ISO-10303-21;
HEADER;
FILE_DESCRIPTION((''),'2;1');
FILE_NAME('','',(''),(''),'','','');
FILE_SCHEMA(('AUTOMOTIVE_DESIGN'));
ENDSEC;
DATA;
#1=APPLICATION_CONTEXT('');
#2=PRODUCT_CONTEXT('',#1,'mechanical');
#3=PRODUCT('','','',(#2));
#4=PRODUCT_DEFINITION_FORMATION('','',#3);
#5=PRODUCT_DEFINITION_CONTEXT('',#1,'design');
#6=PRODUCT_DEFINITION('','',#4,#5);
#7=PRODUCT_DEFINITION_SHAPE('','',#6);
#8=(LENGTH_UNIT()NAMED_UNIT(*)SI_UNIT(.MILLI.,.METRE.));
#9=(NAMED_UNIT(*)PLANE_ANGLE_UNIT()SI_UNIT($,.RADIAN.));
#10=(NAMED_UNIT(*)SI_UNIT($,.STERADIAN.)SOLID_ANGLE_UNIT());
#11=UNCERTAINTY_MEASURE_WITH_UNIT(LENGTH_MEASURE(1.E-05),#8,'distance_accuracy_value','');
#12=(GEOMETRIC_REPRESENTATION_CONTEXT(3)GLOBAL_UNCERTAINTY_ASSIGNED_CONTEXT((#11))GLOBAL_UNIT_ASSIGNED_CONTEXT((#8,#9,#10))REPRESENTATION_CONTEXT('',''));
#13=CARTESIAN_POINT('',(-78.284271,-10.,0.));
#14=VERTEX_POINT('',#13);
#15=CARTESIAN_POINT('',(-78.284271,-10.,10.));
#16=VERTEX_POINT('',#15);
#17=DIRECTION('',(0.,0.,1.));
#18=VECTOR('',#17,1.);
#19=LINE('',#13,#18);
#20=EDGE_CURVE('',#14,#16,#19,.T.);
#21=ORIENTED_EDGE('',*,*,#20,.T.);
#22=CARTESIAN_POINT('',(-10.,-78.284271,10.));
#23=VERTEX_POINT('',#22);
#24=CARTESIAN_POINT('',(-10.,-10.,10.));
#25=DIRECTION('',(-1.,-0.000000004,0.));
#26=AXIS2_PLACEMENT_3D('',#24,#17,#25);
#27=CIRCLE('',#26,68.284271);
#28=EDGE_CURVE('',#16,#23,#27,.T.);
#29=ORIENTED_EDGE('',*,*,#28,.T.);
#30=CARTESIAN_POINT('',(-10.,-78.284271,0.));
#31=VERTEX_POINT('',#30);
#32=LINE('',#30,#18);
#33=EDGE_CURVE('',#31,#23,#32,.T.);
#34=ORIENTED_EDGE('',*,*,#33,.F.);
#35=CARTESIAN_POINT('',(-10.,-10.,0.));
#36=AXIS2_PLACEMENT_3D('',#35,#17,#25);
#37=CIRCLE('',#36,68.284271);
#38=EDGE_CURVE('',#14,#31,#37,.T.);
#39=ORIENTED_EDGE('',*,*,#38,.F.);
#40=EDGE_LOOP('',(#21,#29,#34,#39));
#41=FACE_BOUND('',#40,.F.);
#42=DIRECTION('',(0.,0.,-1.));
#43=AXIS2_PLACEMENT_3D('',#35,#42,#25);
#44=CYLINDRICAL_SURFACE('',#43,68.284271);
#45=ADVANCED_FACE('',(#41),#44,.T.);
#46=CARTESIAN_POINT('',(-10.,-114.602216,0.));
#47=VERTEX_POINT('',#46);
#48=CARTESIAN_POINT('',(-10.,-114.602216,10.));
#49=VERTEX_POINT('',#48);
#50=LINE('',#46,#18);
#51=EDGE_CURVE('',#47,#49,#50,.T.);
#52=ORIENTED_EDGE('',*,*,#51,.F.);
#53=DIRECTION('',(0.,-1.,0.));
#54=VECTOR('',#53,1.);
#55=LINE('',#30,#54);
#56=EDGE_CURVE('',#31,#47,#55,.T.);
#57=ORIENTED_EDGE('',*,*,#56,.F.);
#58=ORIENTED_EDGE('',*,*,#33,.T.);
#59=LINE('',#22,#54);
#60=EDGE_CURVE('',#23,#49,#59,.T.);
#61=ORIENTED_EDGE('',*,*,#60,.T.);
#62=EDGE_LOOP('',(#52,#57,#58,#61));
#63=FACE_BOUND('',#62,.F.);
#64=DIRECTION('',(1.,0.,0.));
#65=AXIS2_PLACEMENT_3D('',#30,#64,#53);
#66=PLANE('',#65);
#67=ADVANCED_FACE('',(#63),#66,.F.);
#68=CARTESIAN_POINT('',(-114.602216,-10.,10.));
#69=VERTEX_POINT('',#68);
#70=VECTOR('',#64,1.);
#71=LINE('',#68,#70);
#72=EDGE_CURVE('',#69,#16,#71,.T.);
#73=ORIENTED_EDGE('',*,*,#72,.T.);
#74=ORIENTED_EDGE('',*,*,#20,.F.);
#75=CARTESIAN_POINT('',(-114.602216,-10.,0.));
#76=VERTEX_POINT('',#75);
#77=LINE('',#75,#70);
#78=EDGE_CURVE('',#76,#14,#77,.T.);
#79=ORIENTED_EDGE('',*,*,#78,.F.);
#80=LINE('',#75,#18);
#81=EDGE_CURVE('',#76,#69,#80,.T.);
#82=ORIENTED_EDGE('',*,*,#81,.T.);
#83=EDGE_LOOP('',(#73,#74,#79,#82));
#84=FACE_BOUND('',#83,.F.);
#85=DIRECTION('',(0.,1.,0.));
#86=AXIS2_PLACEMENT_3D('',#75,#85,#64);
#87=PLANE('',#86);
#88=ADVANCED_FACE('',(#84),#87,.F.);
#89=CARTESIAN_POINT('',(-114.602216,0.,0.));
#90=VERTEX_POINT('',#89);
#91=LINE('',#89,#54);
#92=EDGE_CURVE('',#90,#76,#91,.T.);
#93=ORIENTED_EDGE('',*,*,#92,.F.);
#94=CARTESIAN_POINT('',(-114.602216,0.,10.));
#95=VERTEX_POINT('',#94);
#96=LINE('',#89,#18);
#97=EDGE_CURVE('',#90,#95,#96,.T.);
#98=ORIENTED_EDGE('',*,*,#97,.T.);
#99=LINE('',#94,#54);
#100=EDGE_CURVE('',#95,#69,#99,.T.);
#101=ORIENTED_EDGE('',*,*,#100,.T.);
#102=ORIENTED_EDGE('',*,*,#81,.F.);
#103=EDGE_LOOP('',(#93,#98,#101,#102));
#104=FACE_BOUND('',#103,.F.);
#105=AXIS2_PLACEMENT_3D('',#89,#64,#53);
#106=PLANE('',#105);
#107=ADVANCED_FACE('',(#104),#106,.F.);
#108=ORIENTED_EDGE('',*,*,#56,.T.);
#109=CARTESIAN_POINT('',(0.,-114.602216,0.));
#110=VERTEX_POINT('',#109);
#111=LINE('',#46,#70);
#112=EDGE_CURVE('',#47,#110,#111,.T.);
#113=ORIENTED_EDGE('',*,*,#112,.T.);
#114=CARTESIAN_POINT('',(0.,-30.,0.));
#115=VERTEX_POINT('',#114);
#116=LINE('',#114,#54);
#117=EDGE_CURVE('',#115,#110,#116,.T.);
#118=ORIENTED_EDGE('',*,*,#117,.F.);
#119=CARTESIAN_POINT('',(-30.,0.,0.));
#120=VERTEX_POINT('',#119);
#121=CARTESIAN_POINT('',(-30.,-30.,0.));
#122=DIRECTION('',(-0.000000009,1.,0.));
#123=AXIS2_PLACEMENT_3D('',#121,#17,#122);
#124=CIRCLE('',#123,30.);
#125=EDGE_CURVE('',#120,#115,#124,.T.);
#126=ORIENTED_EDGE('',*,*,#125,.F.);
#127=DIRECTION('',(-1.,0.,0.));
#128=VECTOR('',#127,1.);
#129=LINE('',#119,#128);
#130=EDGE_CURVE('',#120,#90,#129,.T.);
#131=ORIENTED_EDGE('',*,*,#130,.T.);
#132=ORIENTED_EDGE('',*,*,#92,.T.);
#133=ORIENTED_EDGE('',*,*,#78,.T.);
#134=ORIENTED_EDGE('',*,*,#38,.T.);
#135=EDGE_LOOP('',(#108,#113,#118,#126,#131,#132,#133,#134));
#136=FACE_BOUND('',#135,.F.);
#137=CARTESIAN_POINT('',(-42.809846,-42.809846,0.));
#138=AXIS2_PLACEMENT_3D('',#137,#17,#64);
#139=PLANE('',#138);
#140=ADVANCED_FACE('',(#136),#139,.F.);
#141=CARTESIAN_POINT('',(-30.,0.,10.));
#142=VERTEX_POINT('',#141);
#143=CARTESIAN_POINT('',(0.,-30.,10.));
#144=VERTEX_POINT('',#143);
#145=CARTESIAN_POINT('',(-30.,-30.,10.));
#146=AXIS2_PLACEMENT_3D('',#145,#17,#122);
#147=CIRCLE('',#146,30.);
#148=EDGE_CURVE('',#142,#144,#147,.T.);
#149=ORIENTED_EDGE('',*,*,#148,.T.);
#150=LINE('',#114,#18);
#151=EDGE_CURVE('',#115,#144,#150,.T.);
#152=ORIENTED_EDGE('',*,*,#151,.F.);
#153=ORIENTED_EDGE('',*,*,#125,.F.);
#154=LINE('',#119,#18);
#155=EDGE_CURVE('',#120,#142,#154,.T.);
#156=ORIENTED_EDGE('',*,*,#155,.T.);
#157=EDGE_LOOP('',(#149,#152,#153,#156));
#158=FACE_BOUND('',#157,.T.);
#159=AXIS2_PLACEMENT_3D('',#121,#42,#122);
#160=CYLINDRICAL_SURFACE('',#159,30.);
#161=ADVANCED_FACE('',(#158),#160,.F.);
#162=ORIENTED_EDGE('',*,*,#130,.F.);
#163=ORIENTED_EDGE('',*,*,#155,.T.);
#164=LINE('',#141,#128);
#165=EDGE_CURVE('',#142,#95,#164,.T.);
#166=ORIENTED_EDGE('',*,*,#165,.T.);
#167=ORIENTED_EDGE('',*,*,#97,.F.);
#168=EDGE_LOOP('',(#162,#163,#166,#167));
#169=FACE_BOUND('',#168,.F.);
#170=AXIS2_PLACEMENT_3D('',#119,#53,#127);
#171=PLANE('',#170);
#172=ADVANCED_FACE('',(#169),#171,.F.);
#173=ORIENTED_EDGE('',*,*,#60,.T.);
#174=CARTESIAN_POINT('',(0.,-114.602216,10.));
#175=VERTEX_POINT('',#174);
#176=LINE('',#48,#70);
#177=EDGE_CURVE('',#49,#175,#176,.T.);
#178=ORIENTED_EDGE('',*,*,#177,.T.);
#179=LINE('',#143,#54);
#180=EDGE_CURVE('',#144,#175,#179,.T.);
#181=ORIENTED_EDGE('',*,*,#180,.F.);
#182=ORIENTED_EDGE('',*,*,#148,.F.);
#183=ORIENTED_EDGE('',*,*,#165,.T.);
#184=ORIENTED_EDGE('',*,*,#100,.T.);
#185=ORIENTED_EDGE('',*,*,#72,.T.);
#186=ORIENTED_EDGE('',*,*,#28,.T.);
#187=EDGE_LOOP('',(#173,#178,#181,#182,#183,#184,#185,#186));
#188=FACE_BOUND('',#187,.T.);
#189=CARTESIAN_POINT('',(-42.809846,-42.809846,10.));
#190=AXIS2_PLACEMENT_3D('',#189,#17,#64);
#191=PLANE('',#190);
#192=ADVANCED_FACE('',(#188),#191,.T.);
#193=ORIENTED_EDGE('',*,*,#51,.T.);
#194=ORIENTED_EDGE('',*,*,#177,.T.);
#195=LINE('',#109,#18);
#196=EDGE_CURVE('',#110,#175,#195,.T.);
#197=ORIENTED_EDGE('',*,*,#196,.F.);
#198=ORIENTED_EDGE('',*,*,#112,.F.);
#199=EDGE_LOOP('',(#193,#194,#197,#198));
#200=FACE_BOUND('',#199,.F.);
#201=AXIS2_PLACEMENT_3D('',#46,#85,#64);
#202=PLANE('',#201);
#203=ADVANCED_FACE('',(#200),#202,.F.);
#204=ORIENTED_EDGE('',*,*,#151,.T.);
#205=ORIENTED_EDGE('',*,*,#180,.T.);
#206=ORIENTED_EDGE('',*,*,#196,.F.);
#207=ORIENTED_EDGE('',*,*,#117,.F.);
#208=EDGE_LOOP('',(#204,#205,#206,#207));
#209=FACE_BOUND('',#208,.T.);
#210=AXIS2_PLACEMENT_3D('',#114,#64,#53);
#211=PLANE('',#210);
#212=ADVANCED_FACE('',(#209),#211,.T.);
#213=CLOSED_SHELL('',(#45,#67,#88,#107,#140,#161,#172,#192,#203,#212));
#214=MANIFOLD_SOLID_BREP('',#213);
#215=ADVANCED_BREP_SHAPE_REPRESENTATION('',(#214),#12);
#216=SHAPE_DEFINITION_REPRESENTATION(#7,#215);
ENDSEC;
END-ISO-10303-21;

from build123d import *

# Parameters (mm, degrees)
PAD_DEPTH = 10


with BuildPart() as part:
    # Sketch → Pad (new body)
    with BuildSketch(Plane.XY):
        with BuildLine():
            Line((-10, -114.602216), (0, -114.602216))
            Line((0, -30), (0, -114.602216))
            ThreePointArc((-30, 0), (-51.213203, -51.213203), (0, -30))
            Line((-30, 0), (-114.602216, 0))
            Line((-114.602216, 0), (-114.602216, -10))
            Line((-114.602216, -10), (-78.284271, -10))
            ThreePointArc((-78.284271, -10), (-58.284271, -58.284271), (-10, -78.284271))
            Line((-10, -78.284271), (-10, -114.602216))
        make_face()
    extrude(amount=PAD_DEPTH)


solid = part.part
